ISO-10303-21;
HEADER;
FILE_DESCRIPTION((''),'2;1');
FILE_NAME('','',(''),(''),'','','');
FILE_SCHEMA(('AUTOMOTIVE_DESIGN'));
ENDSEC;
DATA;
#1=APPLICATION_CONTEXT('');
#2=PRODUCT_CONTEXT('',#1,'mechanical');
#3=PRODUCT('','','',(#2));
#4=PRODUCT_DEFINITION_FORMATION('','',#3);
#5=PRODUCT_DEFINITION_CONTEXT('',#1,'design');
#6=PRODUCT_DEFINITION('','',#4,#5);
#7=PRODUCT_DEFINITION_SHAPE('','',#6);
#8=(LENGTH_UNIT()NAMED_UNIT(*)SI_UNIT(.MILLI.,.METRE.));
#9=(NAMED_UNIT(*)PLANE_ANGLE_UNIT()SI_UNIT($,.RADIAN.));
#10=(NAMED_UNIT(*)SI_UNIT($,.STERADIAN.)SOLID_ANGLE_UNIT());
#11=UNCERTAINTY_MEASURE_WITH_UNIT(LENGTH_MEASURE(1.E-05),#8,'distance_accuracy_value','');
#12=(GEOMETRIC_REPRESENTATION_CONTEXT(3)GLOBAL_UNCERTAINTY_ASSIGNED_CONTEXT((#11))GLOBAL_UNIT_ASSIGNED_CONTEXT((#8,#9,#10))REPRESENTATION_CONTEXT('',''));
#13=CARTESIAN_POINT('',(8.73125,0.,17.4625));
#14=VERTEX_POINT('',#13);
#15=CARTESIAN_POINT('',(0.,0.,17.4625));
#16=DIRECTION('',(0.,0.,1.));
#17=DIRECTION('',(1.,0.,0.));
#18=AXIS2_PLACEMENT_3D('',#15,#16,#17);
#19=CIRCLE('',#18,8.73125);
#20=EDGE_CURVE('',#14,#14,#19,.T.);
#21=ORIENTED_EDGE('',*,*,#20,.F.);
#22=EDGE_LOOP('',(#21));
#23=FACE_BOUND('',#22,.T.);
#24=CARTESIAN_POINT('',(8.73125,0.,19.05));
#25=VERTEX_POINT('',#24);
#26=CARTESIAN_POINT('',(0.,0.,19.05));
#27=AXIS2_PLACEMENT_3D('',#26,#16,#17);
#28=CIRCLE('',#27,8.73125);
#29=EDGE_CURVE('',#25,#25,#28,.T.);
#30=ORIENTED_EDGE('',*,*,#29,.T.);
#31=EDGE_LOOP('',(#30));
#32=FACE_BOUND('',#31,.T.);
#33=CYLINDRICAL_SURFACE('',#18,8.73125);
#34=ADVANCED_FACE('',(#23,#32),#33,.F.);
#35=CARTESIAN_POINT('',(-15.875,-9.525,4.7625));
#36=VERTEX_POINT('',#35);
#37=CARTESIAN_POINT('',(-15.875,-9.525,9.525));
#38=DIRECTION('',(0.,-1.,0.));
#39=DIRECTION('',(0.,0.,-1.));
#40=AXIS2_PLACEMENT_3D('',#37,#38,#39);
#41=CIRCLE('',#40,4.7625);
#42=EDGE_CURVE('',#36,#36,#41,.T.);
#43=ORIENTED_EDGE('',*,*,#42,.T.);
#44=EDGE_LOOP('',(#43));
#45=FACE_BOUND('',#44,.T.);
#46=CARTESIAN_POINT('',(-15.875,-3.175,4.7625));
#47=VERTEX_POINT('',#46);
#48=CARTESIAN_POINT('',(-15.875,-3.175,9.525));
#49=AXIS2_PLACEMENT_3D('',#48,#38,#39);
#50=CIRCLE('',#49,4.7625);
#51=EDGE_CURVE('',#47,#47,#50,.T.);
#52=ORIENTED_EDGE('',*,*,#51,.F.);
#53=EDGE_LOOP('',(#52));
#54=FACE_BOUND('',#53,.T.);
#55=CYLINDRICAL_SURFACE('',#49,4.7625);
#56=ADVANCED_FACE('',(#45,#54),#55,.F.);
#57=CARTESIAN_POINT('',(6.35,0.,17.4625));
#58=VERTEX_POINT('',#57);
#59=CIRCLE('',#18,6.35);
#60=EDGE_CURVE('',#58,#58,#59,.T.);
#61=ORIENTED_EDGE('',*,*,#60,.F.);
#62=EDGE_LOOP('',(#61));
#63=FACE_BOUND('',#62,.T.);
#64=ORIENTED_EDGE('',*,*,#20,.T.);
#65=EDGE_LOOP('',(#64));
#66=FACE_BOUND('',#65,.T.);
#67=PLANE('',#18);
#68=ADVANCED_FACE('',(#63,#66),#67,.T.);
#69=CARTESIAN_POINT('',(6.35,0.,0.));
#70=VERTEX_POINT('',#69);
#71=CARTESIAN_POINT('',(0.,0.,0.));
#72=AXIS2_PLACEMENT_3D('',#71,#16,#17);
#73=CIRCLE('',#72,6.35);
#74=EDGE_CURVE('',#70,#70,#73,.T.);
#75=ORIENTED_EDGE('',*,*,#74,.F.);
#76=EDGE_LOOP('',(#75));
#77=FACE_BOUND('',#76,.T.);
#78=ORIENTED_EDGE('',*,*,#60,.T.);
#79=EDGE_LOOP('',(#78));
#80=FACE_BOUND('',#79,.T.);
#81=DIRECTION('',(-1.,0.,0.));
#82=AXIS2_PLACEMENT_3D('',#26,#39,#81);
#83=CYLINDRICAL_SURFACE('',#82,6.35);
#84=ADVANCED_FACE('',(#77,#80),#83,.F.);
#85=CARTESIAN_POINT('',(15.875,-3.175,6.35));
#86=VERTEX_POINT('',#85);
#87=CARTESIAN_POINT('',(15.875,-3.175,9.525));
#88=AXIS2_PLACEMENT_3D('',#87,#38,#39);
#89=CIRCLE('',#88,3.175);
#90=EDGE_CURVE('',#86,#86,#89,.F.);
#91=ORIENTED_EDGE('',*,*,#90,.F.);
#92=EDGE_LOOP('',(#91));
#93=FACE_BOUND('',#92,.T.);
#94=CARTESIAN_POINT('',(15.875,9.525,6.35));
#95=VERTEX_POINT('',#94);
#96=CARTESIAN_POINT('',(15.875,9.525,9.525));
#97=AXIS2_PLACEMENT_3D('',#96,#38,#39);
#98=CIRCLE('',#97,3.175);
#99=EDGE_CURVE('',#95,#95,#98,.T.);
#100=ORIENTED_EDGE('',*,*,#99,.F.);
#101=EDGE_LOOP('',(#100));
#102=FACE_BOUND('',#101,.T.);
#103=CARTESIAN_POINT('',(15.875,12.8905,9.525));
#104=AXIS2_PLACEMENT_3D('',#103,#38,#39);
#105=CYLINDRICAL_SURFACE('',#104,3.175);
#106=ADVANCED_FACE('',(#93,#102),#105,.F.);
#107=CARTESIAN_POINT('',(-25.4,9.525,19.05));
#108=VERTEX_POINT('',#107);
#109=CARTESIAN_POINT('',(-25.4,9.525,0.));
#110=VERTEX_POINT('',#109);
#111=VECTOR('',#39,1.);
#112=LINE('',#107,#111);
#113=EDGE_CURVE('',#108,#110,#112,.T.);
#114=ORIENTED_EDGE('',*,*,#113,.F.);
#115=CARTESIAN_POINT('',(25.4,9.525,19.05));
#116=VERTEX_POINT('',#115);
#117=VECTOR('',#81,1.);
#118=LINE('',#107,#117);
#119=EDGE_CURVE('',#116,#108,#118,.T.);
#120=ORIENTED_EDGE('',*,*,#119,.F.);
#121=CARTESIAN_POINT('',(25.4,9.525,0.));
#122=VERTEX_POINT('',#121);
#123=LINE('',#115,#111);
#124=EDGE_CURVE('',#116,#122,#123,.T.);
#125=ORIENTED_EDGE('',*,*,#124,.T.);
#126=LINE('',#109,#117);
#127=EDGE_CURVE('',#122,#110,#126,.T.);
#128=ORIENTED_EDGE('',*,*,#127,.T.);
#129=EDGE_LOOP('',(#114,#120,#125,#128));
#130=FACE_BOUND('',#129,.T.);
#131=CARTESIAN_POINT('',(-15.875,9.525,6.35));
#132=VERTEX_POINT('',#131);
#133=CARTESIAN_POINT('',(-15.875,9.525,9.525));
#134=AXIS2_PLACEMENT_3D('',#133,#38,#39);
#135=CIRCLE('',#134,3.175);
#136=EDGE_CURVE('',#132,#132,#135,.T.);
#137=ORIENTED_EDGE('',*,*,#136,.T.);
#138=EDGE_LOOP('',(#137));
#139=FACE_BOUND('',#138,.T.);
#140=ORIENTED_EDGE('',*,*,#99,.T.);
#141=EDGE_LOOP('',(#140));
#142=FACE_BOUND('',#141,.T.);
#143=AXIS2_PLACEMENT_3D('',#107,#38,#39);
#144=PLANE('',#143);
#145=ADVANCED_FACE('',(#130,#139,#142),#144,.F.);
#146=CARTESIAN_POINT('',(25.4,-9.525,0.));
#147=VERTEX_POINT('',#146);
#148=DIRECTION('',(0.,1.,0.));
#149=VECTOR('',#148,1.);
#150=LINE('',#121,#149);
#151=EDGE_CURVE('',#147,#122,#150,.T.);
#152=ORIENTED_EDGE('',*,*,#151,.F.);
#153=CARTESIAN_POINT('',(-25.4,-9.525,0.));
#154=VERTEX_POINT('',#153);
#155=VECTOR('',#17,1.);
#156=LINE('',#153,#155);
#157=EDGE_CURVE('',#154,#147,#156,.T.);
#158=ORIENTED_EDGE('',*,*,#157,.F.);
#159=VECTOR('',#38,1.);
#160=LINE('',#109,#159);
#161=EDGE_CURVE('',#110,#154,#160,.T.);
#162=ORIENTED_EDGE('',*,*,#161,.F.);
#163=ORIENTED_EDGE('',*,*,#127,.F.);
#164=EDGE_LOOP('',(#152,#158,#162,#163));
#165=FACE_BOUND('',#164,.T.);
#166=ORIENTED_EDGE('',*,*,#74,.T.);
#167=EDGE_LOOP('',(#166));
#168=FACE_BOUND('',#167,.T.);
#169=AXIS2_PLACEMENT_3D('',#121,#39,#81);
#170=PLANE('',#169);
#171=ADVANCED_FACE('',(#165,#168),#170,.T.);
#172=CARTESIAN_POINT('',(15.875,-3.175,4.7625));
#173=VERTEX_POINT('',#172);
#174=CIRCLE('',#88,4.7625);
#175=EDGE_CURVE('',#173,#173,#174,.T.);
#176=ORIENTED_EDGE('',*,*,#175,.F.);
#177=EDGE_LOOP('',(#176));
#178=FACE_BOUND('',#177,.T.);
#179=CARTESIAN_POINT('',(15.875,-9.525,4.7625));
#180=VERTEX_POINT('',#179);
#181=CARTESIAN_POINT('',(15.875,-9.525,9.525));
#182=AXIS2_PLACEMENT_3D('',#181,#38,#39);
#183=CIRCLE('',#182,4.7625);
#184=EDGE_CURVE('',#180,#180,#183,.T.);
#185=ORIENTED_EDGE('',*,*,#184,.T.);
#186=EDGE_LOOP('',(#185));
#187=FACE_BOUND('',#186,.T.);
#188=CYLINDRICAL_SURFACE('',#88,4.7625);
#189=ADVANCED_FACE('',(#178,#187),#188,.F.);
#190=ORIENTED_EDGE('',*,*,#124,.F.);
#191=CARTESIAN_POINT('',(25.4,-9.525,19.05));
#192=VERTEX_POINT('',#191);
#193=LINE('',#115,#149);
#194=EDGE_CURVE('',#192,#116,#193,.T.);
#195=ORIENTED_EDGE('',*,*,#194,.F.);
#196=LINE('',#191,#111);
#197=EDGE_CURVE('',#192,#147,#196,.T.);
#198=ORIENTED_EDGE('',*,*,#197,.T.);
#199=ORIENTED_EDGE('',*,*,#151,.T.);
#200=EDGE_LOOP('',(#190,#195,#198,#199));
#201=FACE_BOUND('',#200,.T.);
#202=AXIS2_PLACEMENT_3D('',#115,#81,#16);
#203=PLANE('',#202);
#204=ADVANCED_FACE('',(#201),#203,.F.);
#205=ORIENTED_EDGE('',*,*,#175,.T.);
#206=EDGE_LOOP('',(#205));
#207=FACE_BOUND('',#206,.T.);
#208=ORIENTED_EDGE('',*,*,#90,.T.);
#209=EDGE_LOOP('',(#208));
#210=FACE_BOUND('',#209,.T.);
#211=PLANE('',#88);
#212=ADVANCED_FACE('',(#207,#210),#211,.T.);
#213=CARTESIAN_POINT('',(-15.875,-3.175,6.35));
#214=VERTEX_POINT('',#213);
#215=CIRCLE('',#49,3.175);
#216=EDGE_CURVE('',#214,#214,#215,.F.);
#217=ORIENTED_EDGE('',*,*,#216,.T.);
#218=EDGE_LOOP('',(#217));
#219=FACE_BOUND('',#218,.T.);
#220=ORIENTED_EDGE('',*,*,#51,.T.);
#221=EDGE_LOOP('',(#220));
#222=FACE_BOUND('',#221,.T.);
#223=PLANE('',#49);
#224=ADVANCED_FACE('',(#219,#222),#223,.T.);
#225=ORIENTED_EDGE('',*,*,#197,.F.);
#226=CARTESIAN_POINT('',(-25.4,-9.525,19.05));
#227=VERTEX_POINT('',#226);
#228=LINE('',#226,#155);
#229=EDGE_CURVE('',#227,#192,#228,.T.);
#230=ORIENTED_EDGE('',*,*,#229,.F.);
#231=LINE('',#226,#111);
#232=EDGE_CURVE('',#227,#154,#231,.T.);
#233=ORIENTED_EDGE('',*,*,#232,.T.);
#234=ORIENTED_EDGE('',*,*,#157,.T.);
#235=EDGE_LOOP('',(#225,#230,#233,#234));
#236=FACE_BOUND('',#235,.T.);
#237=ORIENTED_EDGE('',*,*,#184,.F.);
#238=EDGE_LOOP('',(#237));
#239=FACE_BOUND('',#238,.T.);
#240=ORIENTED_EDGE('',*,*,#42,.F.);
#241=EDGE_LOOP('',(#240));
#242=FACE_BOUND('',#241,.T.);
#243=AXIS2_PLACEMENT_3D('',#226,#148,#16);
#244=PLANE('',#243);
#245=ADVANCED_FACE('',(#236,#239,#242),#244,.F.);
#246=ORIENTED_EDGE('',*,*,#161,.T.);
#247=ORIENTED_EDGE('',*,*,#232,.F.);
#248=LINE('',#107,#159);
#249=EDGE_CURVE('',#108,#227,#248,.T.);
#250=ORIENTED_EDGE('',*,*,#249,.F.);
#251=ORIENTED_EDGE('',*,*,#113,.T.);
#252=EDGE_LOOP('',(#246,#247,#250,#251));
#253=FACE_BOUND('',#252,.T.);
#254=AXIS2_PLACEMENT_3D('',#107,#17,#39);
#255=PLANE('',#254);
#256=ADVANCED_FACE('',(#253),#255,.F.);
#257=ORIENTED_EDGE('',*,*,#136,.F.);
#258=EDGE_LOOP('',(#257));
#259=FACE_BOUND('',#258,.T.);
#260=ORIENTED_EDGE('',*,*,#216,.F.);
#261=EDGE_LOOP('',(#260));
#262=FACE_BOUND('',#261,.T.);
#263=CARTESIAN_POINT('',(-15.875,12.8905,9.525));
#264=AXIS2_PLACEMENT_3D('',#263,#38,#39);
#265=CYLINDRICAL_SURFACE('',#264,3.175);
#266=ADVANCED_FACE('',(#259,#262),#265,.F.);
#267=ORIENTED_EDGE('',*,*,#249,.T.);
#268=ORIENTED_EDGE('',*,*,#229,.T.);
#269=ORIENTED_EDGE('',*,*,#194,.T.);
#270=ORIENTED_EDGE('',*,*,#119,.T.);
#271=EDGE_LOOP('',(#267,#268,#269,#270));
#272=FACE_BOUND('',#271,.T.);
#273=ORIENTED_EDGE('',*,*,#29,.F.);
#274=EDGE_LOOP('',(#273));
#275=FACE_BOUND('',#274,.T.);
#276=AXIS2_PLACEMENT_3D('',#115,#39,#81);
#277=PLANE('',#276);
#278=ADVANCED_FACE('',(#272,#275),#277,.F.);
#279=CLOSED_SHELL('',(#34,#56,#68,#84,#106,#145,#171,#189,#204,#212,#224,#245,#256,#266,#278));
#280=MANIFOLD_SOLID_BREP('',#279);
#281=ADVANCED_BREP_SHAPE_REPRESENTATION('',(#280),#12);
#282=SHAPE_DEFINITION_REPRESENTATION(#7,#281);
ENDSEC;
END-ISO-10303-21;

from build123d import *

# Parameters (mm, degrees)
SKETCH1_W           = 50.8
SKETCH1_H           = 19.05
SKETCH1_R           = 6.35
BOSS_EXTRUDE1_DEPTH = 19.05
SKETCH2_R           = 8.73125
CUT_EXTRUDE1_DEPTH  = 1.5875
SKETCH3_R           = 3.175
CUT_EXTRUDE2_DEPTH  = 22.4155
SKETCH4_R           = 4.7625
CUT_EXTRUDE3_DEPTH  = 6.35


with BuildPart() as part:
    # Sketch1 → Boss-Extrude1 (new body)
    with BuildSketch(Plane.XY):
        Rectangle(SKETCH1_W, SKETCH1_H)
        Circle(SKETCH1_R, mode=Mode.SUBTRACT)
    extrude(amount=BOSS_EXTRUDE1_DEPTH)

    # Sketch2 → Cut-Extrude1 (cut)
    with BuildSketch(Plane.XY.offset(19.05)):
        Circle(SKETCH2_R)
    extrude(amount=-CUT_EXTRUDE1_DEPTH, mode=Mode.SUBTRACT)

    # Sketch3 → Cut-Extrude2 (cut)
    with BuildSketch(Plane.XZ.offset(9.525)):
        with Locations((-15.875, 9.525)):
            Circle(SKETCH3_R)
        with Locations((15.875, 9.525)):
            Circle(SKETCH3_R)
    extrude(amount=-CUT_EXTRUDE2_DEPTH, mode=Mode.SUBTRACT)

    # Sketch4 → Cut-Extrude3 (cut)
    with BuildSketch(Plane.XZ.offset(9.525)):
        with Locations((-15.875, 9.525)):
            Circle(SKETCH4_R)
        with Locations((15.875, 9.525)):
            Circle(SKETCH4_R)
    extrude(amount=-CUT_EXTRUDE3_DEPTH, mode=Mode.SUBTRACT)


solid = part.part
